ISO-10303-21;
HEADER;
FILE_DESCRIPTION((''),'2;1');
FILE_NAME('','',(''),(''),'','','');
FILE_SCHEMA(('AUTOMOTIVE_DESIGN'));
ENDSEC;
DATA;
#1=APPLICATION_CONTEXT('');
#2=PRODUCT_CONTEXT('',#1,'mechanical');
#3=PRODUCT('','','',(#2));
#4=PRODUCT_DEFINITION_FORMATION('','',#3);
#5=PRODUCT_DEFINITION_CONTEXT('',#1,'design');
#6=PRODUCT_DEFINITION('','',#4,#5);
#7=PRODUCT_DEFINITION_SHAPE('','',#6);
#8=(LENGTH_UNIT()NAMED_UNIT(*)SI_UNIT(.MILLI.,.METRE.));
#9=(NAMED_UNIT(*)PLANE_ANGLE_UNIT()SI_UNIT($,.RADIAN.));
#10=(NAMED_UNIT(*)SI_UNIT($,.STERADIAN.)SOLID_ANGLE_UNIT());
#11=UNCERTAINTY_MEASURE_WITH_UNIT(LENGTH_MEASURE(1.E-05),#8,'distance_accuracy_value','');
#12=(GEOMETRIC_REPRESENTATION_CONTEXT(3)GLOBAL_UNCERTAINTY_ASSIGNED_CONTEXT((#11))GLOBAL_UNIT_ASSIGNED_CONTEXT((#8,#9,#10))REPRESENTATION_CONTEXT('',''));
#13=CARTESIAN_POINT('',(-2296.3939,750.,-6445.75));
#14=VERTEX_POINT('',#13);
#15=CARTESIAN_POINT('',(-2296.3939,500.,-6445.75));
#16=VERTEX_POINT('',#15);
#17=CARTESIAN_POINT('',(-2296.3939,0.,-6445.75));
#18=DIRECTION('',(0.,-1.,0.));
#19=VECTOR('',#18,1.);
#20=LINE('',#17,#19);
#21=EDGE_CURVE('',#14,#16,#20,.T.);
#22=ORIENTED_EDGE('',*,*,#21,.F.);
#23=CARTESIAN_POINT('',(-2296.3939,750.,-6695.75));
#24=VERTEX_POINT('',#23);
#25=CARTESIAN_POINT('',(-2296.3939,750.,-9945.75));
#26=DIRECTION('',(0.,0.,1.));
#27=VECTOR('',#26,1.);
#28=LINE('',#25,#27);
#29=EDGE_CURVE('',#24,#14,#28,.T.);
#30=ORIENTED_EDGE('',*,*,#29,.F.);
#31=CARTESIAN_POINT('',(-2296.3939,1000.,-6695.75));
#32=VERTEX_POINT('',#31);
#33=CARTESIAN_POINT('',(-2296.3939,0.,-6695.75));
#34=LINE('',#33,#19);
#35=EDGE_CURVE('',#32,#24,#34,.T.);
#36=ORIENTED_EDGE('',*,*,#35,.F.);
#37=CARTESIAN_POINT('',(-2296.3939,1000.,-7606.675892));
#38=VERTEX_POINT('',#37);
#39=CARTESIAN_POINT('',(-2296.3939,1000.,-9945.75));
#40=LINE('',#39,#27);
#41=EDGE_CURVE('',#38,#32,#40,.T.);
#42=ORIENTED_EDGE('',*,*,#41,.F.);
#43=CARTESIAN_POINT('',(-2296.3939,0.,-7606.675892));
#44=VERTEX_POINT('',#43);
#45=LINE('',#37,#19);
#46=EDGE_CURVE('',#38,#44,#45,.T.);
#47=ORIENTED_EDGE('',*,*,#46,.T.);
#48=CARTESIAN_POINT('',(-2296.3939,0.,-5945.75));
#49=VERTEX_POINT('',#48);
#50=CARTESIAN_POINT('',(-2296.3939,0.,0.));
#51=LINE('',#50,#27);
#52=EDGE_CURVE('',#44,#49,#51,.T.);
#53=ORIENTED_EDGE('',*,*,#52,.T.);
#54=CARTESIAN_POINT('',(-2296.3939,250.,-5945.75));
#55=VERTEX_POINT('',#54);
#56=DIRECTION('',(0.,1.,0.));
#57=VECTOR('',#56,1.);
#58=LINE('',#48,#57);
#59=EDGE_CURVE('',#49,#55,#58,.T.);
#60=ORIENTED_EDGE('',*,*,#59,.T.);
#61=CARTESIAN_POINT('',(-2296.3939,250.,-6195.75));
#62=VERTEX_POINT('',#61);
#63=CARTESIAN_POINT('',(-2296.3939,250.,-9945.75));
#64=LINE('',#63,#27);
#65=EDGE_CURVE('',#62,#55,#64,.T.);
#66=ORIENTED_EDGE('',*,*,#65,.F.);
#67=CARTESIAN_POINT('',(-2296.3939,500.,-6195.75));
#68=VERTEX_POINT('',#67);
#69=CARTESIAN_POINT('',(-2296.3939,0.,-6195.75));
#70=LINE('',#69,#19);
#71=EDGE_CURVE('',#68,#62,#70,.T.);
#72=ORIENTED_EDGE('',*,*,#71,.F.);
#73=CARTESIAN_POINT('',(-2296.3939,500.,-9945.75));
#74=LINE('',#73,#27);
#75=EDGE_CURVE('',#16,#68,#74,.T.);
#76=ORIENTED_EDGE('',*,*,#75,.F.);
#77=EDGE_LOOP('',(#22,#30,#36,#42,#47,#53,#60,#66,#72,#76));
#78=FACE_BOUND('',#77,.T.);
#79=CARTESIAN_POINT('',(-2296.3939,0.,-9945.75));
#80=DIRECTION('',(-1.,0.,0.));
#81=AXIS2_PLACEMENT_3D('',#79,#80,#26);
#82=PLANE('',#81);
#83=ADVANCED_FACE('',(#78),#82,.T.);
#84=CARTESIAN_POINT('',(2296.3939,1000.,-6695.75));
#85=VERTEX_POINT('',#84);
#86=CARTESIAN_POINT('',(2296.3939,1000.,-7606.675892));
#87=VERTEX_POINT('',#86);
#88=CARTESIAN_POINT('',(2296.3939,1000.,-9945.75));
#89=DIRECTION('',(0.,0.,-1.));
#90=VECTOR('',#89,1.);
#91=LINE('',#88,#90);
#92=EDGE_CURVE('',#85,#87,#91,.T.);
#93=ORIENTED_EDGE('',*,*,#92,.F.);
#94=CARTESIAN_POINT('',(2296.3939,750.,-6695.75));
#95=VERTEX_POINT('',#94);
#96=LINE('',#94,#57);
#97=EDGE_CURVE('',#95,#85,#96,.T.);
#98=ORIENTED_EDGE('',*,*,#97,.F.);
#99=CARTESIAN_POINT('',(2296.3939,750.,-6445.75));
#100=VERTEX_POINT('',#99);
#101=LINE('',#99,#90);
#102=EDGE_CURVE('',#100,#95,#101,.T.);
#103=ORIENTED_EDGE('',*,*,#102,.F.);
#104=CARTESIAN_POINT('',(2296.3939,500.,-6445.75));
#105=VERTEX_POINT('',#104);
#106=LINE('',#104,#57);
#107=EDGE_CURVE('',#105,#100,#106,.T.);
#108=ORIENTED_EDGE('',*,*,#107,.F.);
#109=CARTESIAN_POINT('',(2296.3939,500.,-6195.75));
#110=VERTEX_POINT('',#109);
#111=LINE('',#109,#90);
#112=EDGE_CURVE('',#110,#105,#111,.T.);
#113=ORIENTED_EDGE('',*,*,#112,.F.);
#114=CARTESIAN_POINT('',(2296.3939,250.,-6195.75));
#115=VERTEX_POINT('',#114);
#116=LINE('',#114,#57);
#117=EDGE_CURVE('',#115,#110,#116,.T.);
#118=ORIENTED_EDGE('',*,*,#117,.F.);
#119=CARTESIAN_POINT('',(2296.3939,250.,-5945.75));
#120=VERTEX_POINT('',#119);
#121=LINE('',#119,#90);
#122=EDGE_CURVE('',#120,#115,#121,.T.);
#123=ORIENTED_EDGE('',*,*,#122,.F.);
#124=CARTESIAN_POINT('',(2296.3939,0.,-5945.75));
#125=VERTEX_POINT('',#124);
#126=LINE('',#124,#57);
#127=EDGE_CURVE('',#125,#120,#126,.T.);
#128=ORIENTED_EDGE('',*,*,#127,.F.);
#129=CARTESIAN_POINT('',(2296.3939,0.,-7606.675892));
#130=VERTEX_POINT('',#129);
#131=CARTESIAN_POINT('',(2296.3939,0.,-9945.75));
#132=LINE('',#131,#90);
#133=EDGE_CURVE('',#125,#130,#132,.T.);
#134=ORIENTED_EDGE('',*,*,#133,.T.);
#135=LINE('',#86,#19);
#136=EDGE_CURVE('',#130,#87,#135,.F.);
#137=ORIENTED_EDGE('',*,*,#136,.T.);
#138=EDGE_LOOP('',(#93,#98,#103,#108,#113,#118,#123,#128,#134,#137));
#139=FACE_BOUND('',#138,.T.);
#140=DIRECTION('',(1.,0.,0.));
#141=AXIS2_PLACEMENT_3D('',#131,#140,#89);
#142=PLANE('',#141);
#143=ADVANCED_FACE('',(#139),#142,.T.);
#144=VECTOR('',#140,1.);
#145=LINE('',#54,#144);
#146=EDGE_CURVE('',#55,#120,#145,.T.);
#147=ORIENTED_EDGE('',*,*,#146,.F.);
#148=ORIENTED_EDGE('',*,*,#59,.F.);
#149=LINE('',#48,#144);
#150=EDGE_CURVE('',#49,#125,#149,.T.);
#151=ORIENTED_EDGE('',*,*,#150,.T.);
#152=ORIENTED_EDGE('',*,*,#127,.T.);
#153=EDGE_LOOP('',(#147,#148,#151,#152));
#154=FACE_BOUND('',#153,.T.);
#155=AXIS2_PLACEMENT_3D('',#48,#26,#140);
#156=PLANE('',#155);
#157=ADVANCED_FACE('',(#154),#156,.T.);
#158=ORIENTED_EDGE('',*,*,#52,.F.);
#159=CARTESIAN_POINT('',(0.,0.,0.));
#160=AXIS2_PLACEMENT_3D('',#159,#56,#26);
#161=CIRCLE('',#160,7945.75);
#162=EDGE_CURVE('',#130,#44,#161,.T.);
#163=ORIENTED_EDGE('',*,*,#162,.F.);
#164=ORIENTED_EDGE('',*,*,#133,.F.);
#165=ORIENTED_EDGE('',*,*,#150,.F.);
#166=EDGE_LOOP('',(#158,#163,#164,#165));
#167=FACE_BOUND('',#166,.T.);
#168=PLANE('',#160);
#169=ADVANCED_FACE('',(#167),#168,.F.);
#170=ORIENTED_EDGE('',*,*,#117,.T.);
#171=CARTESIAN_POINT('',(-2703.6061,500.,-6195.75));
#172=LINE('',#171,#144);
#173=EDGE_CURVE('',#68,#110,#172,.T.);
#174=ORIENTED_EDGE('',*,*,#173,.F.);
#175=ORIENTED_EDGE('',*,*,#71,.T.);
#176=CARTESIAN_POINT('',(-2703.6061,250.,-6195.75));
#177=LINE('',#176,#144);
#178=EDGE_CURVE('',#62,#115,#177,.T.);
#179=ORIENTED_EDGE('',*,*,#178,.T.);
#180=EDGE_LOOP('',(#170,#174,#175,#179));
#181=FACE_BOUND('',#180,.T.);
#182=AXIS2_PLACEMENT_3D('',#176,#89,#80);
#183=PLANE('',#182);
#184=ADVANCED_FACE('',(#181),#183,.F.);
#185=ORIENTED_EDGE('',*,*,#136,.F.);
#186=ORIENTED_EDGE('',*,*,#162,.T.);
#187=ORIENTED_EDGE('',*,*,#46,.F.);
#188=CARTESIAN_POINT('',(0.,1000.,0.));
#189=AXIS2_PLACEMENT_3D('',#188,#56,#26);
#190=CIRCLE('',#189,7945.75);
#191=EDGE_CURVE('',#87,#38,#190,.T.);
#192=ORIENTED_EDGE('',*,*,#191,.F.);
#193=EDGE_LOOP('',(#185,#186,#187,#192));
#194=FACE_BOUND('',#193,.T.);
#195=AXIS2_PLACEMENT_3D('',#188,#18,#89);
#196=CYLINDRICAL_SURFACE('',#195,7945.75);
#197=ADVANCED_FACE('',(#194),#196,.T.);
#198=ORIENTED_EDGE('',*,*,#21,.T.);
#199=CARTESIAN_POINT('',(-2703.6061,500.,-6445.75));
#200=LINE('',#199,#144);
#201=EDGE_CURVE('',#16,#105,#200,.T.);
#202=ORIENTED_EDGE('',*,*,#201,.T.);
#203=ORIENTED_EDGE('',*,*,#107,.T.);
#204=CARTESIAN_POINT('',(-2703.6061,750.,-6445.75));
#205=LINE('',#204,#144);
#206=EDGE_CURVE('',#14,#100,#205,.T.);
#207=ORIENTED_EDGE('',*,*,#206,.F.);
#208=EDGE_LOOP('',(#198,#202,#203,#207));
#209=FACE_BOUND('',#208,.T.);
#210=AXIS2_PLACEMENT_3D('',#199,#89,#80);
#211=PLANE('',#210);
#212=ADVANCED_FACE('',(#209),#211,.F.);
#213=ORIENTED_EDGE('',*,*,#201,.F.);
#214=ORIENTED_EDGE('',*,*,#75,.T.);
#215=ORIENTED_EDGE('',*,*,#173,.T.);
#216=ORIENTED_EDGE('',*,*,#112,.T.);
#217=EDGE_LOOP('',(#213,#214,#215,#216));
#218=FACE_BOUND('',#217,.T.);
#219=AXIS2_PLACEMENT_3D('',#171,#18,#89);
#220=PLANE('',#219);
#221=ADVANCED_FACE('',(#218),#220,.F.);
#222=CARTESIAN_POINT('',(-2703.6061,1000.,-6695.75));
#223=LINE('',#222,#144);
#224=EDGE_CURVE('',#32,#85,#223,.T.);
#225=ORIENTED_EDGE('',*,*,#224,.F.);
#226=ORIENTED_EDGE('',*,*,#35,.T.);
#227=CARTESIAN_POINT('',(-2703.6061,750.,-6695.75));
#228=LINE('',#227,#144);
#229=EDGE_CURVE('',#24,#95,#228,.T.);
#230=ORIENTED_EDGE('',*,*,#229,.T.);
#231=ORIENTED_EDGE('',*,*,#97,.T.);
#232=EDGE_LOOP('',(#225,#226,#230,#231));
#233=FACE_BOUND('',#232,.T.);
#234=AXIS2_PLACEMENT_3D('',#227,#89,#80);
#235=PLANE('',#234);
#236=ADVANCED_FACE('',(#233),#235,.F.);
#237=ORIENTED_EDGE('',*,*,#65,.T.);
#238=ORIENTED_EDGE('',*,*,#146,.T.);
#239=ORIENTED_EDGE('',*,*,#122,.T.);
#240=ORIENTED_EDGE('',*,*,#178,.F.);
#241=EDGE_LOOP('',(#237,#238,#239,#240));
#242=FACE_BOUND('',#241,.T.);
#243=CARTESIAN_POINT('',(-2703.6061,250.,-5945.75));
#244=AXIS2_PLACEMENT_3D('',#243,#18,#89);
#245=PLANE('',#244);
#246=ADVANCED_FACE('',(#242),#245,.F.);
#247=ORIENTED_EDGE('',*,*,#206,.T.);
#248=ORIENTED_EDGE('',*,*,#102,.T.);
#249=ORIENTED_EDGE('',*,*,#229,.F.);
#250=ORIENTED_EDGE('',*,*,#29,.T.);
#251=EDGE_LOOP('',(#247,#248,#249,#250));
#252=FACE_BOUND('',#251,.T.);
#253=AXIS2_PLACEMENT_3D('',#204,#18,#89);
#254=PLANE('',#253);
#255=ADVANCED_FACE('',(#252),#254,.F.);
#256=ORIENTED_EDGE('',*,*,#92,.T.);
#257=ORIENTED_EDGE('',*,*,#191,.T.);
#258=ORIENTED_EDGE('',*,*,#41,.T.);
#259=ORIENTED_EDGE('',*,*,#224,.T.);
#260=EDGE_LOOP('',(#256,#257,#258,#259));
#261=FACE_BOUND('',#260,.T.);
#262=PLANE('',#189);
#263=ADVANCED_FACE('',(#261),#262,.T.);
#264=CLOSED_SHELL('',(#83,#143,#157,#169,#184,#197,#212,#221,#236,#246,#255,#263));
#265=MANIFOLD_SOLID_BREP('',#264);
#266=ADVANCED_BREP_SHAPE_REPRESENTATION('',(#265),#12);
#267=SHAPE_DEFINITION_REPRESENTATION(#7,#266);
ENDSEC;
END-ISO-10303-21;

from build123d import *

# Parameters (mm, degrees)
SKETCH2_R           = 7945.75
BOSS_EXTRUDE1_DEPTH = 1000
SKETCH3_OUTSIDE_W   = 20392.742
SKETCH3_OUTSIDE_H   = 20392.742
SKETCH3_OUTSIDE_W_2 = 4592.7878
SKETCH3_OUTSIDE_H_2 = 4000
CUT_EXTRUDE1_DEPTH  = 1000
CUT_EXTRUDE2_DEPTH  = 5000


with BuildPart() as part:
    # Sketch2 → Boss-Extrude1 (new body)
    with BuildSketch(Plane(origin=(0, 0, 0), x_dir=(1, 0, 0), z_dir=(0, 1, 0))):
        with Locations(Location((0, 0, 0), (0, 0, 270))):
            Circle(SKETCH2_R)
    extrude(amount=BOSS_EXTRUDE1_DEPTH)

    # Sketch3 outside → Cut-Extrude1 (cut)
    with BuildSketch(Plane(origin=(0, 1000, 0), x_dir=(1, 0, 0), z_dir=(0, 1, 0))):
        Rectangle(SKETCH3_OUTSIDE_W, SKETCH3_OUTSIDE_H)
        with Locations((0, 7945.75)):
            Rectangle(SKETCH3_OUTSIDE_W_2, SKETCH3_OUTSIDE_H_2, mode=Mode.SUBTRACT)
    extrude(amount=-CUT_EXTRUDE1_DEPTH, mode=Mode.SUBTRACT)

    # Sketch4 → Cut-Extrude2 (cut)
    with BuildSketch(Plane(origin=(2296.3939, 0, 0), x_dir=(0, 0, -1), z_dir=(1, 0, 0))):
        Polygon((5945.75, 250), (6195.75, 250), (6195.75, 500), (6445.75, 500), (6445.75, 750), (6695.75, 750), (6695.75, 1000), (5945.75, 1000), align=None)
    extrude(amount=-CUT_EXTRUDE2_DEPTH, mode=Mode.SUBTRACT)


solid = part.part
